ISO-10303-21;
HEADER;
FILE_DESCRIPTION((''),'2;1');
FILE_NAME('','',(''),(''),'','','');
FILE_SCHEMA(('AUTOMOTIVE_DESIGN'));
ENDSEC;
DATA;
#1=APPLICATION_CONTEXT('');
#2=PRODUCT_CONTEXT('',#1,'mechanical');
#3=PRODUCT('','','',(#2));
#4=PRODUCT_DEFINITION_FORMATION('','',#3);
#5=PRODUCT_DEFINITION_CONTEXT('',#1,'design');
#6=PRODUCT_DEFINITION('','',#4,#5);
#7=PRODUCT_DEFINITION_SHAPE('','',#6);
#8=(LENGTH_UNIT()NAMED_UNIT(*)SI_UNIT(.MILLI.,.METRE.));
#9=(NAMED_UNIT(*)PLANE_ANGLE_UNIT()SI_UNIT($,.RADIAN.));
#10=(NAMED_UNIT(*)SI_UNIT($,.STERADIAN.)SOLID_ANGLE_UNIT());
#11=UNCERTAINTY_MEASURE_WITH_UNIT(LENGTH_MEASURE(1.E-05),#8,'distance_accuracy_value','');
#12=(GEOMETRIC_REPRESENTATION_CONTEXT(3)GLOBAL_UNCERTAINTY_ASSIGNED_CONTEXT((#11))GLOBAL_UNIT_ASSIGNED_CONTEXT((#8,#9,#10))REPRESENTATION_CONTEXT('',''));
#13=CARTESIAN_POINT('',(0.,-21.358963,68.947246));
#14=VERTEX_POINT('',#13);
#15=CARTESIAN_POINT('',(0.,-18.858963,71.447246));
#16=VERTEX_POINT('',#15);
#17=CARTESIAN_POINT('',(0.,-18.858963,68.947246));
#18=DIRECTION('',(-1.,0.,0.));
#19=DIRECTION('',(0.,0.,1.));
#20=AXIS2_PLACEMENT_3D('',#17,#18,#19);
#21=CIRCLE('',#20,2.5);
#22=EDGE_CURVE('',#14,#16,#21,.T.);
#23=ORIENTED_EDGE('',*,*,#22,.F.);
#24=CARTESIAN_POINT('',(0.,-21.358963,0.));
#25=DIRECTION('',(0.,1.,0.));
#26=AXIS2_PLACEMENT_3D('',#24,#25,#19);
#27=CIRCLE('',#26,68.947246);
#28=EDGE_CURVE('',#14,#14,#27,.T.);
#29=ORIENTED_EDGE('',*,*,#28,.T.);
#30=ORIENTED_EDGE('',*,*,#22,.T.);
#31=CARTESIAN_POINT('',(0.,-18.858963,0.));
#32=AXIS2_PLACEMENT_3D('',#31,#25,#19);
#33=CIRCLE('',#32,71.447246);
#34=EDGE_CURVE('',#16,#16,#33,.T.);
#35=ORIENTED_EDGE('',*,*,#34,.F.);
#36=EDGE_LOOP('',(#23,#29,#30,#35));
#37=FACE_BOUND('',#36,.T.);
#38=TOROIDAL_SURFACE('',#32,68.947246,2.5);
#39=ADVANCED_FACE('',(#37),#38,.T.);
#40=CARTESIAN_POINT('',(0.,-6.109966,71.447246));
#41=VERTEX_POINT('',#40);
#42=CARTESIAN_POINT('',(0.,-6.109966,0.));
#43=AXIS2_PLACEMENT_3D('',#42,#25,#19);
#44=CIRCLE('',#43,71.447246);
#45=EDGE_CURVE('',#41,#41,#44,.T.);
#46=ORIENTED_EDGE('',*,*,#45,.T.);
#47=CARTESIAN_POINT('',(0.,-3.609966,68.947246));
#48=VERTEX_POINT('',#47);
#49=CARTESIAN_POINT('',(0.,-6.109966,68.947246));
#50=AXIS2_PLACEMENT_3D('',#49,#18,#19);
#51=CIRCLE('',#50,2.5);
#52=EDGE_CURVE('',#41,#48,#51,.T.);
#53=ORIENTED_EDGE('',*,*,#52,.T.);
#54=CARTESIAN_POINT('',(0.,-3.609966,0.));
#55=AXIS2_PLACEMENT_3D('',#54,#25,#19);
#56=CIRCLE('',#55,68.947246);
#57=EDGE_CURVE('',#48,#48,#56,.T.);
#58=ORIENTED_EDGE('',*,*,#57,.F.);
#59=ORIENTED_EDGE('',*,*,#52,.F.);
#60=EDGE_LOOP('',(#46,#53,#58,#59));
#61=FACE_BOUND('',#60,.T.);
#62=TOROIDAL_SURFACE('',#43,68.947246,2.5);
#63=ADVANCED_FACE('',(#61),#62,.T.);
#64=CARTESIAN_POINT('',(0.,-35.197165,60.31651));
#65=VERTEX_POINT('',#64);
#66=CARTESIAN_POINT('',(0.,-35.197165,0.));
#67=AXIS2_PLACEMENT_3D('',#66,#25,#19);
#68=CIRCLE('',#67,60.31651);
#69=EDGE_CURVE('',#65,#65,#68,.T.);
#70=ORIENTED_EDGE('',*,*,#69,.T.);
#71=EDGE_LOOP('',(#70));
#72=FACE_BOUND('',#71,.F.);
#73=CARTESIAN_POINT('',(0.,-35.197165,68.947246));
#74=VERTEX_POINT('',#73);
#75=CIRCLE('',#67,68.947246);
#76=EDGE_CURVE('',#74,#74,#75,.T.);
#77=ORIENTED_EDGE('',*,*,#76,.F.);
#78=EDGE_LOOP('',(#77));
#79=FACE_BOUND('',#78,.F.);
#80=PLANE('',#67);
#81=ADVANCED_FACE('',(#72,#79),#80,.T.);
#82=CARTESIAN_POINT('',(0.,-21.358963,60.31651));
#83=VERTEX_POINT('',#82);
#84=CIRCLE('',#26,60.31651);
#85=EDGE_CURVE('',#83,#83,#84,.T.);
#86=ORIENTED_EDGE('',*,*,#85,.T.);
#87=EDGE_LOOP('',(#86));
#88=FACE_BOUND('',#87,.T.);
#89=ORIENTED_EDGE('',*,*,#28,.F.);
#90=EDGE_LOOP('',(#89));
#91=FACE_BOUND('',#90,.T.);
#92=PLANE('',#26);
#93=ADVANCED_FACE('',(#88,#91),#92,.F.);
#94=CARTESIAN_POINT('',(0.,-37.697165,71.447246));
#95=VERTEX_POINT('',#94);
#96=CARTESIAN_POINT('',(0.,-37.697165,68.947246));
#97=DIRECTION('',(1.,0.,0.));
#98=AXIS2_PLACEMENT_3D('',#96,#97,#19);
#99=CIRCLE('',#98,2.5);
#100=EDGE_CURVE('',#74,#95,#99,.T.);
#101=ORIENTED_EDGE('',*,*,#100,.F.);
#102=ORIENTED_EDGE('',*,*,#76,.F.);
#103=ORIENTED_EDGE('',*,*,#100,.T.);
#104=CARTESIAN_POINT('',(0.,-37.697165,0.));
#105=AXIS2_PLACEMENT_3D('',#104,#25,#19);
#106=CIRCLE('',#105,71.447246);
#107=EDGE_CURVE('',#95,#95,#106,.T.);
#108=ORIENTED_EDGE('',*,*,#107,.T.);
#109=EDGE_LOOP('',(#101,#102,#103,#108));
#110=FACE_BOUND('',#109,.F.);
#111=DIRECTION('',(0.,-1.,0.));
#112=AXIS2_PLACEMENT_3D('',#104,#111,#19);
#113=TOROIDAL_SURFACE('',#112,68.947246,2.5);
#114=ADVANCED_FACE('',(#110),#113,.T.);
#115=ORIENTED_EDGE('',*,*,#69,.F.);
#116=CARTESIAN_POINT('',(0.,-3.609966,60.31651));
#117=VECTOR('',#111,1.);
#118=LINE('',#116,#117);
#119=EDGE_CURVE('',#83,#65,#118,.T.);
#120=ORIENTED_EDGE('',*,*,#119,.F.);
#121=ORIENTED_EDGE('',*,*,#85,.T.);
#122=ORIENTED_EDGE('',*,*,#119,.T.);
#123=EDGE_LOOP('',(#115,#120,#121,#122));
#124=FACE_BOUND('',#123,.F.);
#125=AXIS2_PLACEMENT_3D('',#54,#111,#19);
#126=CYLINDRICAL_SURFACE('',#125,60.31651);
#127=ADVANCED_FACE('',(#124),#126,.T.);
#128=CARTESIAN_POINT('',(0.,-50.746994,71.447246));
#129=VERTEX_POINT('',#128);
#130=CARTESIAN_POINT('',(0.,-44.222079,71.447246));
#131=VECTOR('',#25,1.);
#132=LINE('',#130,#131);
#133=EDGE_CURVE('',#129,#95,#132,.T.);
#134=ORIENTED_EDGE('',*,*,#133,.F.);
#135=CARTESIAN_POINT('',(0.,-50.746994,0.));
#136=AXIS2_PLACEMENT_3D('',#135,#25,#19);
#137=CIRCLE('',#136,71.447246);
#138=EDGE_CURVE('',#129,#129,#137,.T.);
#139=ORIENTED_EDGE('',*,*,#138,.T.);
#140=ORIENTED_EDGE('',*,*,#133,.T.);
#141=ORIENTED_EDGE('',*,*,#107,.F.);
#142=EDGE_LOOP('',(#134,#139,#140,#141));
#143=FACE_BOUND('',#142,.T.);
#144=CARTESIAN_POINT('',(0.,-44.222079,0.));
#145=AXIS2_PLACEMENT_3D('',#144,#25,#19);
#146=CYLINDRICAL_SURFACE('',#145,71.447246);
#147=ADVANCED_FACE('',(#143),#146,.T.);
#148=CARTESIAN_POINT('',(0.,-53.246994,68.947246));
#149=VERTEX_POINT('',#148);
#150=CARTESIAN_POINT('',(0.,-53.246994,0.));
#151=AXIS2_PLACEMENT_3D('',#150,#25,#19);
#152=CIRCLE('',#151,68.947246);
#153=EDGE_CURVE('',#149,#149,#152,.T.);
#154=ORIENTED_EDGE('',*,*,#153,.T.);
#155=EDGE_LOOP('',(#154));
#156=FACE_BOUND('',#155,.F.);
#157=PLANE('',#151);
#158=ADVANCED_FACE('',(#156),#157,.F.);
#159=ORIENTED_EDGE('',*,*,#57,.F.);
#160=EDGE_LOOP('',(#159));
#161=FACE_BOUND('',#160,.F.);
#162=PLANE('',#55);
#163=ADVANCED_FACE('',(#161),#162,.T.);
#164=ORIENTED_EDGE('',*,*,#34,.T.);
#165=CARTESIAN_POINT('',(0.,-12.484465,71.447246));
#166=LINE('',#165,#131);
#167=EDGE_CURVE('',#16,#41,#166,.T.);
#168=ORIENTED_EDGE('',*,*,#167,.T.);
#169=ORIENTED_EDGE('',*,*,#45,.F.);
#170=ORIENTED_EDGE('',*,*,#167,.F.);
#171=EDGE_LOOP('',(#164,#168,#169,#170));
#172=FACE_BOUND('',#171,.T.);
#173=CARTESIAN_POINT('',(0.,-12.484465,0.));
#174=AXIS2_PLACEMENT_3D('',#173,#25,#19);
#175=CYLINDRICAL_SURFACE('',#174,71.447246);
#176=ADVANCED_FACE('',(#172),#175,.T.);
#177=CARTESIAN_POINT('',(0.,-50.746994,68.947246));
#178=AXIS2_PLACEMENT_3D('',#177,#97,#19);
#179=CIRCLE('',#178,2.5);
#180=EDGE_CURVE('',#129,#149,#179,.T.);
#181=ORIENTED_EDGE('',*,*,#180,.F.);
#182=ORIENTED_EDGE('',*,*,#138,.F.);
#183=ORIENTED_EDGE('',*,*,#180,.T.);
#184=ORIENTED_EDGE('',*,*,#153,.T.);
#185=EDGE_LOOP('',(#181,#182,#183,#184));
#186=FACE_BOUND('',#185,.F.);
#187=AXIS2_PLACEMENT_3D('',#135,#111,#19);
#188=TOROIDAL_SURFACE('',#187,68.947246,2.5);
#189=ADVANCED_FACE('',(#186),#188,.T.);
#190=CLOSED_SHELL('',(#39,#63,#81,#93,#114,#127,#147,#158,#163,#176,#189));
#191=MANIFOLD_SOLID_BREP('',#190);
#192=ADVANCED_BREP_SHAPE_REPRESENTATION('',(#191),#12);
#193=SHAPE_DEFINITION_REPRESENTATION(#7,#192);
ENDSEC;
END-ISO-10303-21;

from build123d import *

# Parameters (mm, degrees)
F0_W   = 18.0498287082
F0_H   = 60.3165104985
F0_W_2 = 13.8382017612
F0_W_3 = 17.7489968482
F0_H_2 = 11.1307352781
F2_R   = 2.5
F3_R   = 2.5
F4_R   = 2.5
F5_R   = 2.5


with BuildPart() as f1:
    # F0 (on Right) → F1 (revolve)
    with BuildSketch(Plane.YZ):
        with Locations((-44.2220792174, 30.1582552493)):
            Rectangle(F0_W, F0_H)
        with Locations((-28.2780639827, 30.1582552493)):
            Rectangle(F0_W_2, F0_H)
        with Locations((-12.484464678, 30.1582552493)):
            Rectangle(F0_W_3, F0_H)
        with Locations((-12.484464678, 65.8818781376)):
            Rectangle(F0_W_3, F0_H_2)
        with Locations((-44.2220792174, 65.8818781376)):
            Rectangle(F0_W, F0_H_2)
    revolve(axis=Axis((0, -28.4284799127, 0), (0, 1, 0)))

    # F2
    f2_edges = [f1.edges().sort_by_distance(p)[0] for p in [
        (0, -35.197165, -71.447246),
    ]]
    fillet(f2_edges, radius=F2_R)

    # F3
    f3_edges = [f1.edges().sort_by_distance(p)[0] for p in [
        (0, -21.358963, -71.447246),
    ]]
    fillet(f3_edges, radius=F3_R)

    # F4
    f4_edges = [f1.edges().sort_by_distance(p)[0] for p in [
        (0, -53.246994, -71.447246),
    ]]
    fillet(f4_edges, radius=F4_R)

    # F5
    f5_edges = [f1.edges().sort_by_distance(p)[0] for p in [
        (0, -3.609966, -71.447246),
    ]]
    fillet(f5_edges, radius=F5_R)


solid = f1.part
